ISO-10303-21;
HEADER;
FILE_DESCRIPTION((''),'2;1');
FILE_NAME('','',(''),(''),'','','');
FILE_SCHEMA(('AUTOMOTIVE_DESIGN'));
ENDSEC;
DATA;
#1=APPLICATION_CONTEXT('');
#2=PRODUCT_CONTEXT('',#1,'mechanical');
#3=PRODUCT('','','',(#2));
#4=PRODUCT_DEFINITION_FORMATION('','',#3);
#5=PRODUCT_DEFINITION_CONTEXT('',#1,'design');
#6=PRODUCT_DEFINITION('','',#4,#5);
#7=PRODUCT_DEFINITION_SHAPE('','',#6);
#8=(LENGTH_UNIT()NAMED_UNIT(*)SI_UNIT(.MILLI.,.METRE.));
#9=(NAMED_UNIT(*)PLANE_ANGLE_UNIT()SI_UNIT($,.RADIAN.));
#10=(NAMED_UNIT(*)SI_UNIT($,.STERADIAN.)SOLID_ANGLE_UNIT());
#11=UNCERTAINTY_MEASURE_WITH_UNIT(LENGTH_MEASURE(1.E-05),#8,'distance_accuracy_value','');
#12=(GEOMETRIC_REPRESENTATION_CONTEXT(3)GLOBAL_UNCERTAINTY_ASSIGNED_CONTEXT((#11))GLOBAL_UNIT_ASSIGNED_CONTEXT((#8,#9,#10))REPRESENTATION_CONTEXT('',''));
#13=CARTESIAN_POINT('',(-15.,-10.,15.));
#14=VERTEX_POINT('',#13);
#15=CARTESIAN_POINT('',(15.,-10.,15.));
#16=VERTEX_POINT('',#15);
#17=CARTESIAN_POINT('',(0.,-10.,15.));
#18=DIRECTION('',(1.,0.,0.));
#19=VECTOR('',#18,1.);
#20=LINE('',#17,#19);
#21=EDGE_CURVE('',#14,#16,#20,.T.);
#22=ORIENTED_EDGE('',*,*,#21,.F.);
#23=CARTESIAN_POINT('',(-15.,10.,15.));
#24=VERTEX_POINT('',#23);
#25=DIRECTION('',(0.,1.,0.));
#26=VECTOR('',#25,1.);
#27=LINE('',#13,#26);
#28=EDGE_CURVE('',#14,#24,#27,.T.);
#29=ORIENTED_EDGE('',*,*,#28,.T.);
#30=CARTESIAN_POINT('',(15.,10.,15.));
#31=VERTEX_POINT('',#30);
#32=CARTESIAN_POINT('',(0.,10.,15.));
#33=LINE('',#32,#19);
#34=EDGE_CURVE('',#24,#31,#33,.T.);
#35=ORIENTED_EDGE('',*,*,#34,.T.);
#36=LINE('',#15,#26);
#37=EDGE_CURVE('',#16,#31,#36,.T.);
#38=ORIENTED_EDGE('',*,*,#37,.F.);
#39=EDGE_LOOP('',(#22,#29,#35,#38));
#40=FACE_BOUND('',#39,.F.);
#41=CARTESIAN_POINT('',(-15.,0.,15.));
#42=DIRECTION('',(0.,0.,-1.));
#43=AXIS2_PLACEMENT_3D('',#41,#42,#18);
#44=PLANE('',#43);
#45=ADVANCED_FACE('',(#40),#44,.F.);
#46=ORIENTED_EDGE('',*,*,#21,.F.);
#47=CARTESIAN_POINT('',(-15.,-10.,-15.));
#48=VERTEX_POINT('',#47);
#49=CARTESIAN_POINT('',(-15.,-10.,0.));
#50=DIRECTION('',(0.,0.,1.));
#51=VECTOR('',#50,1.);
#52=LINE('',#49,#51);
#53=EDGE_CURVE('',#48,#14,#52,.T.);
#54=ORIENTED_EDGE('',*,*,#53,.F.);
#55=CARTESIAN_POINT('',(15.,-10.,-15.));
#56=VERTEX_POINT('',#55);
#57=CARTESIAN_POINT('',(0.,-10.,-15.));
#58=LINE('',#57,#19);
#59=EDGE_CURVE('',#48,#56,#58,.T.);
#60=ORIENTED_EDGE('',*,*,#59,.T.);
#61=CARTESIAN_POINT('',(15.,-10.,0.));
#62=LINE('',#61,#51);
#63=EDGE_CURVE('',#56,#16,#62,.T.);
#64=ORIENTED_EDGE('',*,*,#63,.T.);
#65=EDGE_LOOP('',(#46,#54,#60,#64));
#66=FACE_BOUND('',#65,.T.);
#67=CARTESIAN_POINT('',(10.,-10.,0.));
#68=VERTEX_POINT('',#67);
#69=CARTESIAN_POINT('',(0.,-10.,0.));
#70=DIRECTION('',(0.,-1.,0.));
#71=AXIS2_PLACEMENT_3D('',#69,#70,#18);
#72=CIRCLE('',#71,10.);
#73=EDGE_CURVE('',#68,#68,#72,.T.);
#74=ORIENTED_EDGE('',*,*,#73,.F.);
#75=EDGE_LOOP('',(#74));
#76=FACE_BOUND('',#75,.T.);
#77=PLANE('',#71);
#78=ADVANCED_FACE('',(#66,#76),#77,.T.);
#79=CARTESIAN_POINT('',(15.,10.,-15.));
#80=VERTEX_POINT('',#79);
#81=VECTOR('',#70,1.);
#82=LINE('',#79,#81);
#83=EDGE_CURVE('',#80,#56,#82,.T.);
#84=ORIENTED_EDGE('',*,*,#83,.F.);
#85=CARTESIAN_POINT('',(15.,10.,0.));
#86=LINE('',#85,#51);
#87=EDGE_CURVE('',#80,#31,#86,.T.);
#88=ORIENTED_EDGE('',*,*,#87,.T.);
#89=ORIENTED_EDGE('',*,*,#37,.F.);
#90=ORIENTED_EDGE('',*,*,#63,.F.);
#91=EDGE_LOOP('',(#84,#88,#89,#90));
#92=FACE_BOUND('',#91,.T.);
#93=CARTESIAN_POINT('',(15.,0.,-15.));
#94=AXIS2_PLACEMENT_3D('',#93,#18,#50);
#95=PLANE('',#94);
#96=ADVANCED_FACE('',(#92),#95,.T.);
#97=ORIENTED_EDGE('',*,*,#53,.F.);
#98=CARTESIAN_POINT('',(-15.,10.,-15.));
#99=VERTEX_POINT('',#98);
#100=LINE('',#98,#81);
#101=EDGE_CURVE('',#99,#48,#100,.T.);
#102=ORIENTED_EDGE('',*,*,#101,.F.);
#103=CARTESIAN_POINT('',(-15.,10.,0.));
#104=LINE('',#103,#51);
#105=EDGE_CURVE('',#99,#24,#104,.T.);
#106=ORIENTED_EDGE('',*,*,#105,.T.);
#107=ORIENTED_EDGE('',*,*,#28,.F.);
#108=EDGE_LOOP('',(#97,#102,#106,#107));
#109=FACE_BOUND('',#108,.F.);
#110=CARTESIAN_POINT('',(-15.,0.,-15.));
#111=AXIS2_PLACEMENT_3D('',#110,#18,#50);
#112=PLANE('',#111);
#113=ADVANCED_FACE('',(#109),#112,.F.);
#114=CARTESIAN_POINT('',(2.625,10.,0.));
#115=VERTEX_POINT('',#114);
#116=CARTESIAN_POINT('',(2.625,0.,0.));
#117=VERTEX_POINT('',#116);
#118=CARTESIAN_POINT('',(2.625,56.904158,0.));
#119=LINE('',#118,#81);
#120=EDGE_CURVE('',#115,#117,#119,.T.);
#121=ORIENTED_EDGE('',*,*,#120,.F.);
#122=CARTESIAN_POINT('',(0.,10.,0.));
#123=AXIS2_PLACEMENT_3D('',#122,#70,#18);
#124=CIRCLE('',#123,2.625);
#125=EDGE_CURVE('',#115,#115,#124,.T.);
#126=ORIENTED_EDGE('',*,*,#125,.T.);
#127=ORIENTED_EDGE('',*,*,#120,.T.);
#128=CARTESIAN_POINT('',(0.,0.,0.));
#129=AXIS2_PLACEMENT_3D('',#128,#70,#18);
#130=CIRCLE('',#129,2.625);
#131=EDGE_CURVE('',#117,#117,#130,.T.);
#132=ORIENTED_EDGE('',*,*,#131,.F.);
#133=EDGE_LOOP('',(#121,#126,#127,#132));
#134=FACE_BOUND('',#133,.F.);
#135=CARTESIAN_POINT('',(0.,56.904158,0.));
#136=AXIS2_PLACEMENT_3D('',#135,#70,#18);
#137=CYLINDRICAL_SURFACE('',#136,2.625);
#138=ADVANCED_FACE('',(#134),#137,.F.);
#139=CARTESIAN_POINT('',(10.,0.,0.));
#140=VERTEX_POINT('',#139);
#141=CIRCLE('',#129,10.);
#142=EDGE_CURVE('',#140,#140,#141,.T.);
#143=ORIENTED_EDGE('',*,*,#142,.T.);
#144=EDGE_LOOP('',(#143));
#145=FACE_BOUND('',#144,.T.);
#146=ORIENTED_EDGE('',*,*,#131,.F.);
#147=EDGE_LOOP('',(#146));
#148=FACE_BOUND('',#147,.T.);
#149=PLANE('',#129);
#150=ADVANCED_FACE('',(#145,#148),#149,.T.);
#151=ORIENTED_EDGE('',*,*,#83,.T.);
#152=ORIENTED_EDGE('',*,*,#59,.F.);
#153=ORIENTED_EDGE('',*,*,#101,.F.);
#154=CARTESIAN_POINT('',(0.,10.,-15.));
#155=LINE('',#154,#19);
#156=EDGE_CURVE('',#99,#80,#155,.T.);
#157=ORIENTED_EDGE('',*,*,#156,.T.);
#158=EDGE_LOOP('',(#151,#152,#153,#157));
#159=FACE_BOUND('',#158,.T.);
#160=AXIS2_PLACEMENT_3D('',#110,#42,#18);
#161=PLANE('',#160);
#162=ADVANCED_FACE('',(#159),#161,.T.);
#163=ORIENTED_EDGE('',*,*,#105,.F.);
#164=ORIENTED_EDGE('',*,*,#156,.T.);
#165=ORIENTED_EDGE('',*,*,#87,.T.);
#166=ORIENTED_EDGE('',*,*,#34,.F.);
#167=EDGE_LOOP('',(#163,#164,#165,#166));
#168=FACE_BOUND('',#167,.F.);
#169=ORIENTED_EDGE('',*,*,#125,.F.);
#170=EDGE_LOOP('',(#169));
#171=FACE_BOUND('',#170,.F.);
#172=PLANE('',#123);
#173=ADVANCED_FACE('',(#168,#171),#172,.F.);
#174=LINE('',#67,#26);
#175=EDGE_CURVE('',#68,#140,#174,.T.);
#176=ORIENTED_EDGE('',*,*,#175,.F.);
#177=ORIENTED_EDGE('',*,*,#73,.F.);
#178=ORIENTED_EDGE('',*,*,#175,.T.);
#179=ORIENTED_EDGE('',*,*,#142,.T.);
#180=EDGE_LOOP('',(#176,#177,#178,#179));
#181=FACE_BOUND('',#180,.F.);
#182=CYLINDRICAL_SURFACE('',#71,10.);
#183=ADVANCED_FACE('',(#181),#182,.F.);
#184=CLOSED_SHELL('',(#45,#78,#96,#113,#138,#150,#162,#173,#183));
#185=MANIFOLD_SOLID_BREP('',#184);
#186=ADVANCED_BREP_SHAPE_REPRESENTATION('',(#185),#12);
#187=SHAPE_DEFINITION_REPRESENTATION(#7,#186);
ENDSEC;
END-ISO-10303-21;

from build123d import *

# Parameters (mm, degrees)
F0_W     = 30
F0_H     = 30
F1_DEPTH = 10
F2_R     = 10
F3_DEPTH = 10
F5_D     = 5.25


with BuildPart() as f1:
    # F0 (on Front) → F1 (new body, symmetric)
    with BuildSketch(Plane.XZ):
        Rectangle(F0_W, F0_H)
    extrude(amount=F1_DEPTH, both=True)

    # F2 (on face) → F3 (cut)
    with BuildSketch(Plane.XZ.offset(10)):
        Circle(F2_R)
    extrude(amount=-F3_DEPTH, mode=Mode.SUBTRACT)

    # F5 (through all)
    with Locations(Plane(origin=(0, 10, 0), x_dir=(-1, 0, 0), z_dir=(0, 1, 0))):
        with Locations((0, 0)):
            Hole(F5_D / 2)


solid = f1.part
